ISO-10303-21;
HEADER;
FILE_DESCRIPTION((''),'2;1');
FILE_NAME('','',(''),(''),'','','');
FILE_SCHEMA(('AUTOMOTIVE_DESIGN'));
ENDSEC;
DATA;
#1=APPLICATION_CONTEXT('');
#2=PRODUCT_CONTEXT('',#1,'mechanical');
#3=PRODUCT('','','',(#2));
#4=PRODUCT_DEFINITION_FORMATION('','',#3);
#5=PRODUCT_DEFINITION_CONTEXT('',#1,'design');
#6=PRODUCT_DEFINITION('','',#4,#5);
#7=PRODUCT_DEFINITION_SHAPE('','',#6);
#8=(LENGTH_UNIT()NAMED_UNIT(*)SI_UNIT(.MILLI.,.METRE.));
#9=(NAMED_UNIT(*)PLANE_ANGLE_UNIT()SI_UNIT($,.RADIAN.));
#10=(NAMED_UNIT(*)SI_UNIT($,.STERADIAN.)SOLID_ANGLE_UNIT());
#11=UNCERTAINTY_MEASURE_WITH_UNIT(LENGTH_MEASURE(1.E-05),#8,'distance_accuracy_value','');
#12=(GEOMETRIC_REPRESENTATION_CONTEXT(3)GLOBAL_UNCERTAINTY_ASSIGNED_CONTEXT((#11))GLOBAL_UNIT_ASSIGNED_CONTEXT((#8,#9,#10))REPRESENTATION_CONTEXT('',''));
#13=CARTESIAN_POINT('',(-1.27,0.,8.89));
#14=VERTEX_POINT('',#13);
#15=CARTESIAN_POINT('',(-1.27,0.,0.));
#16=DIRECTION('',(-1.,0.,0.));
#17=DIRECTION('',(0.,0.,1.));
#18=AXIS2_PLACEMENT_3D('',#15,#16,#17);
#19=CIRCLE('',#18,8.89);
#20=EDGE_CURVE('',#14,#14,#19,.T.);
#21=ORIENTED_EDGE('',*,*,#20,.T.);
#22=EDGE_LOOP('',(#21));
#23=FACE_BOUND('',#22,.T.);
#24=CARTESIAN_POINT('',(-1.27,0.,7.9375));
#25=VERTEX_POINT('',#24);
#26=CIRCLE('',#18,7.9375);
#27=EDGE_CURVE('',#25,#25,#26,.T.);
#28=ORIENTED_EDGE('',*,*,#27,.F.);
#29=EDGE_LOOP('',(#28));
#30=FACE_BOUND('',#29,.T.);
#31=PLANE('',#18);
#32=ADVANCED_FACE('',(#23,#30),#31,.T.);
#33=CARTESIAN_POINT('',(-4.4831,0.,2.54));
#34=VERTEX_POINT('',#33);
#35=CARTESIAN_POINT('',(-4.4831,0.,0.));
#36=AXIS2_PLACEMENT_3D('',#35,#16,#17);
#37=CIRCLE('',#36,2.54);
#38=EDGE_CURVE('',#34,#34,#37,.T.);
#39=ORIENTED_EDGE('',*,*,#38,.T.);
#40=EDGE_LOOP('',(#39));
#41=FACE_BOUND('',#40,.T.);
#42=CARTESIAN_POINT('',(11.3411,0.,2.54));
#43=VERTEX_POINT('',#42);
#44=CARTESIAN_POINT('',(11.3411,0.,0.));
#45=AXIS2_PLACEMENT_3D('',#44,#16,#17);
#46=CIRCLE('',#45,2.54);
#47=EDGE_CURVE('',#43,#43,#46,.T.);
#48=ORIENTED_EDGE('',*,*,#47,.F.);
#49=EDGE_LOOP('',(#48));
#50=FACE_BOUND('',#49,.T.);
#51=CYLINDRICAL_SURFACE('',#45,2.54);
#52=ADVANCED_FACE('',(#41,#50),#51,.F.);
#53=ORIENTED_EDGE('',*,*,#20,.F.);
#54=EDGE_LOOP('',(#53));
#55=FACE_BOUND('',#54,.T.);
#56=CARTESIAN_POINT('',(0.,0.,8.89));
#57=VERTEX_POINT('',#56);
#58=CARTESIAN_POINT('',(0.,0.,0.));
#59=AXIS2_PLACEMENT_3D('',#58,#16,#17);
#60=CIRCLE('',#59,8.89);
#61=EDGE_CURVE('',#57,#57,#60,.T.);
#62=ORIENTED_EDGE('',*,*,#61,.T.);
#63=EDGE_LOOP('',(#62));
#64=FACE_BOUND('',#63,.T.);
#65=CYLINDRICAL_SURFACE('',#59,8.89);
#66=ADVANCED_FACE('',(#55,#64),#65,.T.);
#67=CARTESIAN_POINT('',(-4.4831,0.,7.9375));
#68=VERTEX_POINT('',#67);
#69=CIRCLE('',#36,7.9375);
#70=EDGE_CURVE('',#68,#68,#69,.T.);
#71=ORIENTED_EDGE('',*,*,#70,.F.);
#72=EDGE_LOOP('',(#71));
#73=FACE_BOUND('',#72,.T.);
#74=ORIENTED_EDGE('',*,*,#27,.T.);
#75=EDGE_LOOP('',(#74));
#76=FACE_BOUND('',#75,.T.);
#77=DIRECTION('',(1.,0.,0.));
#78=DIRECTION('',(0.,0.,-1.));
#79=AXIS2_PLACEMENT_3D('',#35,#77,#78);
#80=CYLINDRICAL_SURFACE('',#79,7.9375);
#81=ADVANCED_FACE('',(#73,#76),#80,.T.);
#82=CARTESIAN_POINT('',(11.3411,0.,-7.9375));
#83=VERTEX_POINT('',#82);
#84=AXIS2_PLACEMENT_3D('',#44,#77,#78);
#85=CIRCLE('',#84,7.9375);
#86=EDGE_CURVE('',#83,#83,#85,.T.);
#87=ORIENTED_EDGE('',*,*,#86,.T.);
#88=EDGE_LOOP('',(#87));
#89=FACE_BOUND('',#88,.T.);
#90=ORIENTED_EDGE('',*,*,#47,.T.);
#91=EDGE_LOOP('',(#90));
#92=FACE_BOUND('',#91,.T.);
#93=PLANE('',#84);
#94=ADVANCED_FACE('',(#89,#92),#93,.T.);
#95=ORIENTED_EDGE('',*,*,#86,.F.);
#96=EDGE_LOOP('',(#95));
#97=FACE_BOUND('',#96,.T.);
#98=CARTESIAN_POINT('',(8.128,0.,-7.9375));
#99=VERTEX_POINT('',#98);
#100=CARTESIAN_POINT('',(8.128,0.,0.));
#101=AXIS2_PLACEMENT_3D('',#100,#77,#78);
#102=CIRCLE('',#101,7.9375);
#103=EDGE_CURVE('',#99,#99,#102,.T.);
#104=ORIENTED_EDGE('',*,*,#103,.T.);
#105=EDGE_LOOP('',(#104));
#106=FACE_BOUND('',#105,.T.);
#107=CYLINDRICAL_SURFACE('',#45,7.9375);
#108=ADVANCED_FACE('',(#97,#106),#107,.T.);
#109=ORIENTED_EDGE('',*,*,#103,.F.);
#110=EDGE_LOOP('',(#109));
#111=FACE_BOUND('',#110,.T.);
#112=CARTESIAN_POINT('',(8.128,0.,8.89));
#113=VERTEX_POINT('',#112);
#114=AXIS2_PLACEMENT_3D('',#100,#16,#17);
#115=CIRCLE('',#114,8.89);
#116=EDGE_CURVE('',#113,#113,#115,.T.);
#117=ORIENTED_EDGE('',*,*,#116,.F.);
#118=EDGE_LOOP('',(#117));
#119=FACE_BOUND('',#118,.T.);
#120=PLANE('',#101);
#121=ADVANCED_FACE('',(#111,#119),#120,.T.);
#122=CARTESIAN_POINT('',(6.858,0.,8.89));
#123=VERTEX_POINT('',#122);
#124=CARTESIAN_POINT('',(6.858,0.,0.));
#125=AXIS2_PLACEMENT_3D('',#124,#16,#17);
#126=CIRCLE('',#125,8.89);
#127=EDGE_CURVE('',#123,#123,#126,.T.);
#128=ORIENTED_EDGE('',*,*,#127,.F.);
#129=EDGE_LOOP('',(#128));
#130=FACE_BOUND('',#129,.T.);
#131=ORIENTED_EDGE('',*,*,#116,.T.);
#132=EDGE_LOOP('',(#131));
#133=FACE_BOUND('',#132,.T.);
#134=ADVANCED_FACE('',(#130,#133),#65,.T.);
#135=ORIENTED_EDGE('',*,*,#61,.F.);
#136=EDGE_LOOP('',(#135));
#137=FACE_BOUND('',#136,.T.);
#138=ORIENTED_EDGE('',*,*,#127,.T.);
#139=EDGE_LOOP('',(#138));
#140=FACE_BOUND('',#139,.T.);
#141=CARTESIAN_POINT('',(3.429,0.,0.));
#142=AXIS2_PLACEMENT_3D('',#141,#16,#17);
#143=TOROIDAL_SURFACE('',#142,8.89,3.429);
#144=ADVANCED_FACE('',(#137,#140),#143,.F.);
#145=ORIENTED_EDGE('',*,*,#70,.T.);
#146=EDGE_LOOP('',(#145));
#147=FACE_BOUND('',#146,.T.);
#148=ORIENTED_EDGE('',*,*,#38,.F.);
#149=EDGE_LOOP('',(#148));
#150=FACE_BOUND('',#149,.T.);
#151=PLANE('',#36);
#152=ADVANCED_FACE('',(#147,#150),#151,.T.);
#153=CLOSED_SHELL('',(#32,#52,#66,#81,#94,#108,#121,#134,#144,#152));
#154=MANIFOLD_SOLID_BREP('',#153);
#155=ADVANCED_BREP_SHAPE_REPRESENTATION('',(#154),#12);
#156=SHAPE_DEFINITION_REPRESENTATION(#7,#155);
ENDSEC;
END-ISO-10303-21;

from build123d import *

# Parameters (mm, degrees)
SKETCH1_W           = 1.27
SKETCH1_H           = 8.89
SKETCH2_R           = 7.9375
BOSS_EXTRUDE1_DEPTH = 3.2131
BOSS_EXTRUDE2_START = 3.2131
SKETCH3_R           = 7.9375
BOSS_EXTRUDE2_DEPTH = 3.2131
SKETCH4_R           = 2.54
CUT_EXTRUDE1_DEPTH  = 21.210628532


with BuildPart() as part:
    # Sketch1 → Revolve1 (revolve)
    with BuildSketch(Plane.XY, mode=Mode.PRIVATE) as revolve1_sk:
        with BuildLine():
            ThreePointArc((0, 8.89), (3.429, 5.461), (6.858, 8.89))
            Line((6.858, 8.89), (6.858, 0))
            Line((6.858, 0), (0, 0))
            Line((0, 0), (0, 8.89))
        make_face()
        with Locations((-0.635, 4.445)):
            Rectangle(SKETCH1_W, SKETCH1_H)
        with Locations((7.493, 4.445)):
            Rectangle(SKETCH1_W, SKETCH1_H)
    revolve(revolve1_sk.sketch.rotate(Axis((0, 0, 0), (1, 0, 0)), 90), axis=Axis((0, 0, 0), (1, 0, 0)))

    # Sketch2 → Boss-Extrude1 (add)
    with BuildSketch(Plane(origin=(8.128, 0, 0), x_dir=(0, 0, -1), z_dir=(1, 0, 0))):
        Circle(SKETCH2_R)
    extrude(amount=BOSS_EXTRUDE1_DEPTH)

    # Sketch3 → Boss-Extrude2 (add)
    with BuildSketch(Plane.ZY.offset(1.27).offset(BOSS_EXTRUDE2_START)):
        with Locations(Location((0, 0, 0), (0, 0, 180))):
            Circle(SKETCH3_R)
    extrude(amount=-BOSS_EXTRUDE2_DEPTH)

    # Sketch4 → Cut-Extrude1 (cut, through all)
    with BuildSketch(Plane.ZY.offset(4.4831)):
        Circle(SKETCH4_R)
    extrude(amount=-CUT_EXTRUDE1_DEPTH, mode=Mode.SUBTRACT)


solid = part.part
